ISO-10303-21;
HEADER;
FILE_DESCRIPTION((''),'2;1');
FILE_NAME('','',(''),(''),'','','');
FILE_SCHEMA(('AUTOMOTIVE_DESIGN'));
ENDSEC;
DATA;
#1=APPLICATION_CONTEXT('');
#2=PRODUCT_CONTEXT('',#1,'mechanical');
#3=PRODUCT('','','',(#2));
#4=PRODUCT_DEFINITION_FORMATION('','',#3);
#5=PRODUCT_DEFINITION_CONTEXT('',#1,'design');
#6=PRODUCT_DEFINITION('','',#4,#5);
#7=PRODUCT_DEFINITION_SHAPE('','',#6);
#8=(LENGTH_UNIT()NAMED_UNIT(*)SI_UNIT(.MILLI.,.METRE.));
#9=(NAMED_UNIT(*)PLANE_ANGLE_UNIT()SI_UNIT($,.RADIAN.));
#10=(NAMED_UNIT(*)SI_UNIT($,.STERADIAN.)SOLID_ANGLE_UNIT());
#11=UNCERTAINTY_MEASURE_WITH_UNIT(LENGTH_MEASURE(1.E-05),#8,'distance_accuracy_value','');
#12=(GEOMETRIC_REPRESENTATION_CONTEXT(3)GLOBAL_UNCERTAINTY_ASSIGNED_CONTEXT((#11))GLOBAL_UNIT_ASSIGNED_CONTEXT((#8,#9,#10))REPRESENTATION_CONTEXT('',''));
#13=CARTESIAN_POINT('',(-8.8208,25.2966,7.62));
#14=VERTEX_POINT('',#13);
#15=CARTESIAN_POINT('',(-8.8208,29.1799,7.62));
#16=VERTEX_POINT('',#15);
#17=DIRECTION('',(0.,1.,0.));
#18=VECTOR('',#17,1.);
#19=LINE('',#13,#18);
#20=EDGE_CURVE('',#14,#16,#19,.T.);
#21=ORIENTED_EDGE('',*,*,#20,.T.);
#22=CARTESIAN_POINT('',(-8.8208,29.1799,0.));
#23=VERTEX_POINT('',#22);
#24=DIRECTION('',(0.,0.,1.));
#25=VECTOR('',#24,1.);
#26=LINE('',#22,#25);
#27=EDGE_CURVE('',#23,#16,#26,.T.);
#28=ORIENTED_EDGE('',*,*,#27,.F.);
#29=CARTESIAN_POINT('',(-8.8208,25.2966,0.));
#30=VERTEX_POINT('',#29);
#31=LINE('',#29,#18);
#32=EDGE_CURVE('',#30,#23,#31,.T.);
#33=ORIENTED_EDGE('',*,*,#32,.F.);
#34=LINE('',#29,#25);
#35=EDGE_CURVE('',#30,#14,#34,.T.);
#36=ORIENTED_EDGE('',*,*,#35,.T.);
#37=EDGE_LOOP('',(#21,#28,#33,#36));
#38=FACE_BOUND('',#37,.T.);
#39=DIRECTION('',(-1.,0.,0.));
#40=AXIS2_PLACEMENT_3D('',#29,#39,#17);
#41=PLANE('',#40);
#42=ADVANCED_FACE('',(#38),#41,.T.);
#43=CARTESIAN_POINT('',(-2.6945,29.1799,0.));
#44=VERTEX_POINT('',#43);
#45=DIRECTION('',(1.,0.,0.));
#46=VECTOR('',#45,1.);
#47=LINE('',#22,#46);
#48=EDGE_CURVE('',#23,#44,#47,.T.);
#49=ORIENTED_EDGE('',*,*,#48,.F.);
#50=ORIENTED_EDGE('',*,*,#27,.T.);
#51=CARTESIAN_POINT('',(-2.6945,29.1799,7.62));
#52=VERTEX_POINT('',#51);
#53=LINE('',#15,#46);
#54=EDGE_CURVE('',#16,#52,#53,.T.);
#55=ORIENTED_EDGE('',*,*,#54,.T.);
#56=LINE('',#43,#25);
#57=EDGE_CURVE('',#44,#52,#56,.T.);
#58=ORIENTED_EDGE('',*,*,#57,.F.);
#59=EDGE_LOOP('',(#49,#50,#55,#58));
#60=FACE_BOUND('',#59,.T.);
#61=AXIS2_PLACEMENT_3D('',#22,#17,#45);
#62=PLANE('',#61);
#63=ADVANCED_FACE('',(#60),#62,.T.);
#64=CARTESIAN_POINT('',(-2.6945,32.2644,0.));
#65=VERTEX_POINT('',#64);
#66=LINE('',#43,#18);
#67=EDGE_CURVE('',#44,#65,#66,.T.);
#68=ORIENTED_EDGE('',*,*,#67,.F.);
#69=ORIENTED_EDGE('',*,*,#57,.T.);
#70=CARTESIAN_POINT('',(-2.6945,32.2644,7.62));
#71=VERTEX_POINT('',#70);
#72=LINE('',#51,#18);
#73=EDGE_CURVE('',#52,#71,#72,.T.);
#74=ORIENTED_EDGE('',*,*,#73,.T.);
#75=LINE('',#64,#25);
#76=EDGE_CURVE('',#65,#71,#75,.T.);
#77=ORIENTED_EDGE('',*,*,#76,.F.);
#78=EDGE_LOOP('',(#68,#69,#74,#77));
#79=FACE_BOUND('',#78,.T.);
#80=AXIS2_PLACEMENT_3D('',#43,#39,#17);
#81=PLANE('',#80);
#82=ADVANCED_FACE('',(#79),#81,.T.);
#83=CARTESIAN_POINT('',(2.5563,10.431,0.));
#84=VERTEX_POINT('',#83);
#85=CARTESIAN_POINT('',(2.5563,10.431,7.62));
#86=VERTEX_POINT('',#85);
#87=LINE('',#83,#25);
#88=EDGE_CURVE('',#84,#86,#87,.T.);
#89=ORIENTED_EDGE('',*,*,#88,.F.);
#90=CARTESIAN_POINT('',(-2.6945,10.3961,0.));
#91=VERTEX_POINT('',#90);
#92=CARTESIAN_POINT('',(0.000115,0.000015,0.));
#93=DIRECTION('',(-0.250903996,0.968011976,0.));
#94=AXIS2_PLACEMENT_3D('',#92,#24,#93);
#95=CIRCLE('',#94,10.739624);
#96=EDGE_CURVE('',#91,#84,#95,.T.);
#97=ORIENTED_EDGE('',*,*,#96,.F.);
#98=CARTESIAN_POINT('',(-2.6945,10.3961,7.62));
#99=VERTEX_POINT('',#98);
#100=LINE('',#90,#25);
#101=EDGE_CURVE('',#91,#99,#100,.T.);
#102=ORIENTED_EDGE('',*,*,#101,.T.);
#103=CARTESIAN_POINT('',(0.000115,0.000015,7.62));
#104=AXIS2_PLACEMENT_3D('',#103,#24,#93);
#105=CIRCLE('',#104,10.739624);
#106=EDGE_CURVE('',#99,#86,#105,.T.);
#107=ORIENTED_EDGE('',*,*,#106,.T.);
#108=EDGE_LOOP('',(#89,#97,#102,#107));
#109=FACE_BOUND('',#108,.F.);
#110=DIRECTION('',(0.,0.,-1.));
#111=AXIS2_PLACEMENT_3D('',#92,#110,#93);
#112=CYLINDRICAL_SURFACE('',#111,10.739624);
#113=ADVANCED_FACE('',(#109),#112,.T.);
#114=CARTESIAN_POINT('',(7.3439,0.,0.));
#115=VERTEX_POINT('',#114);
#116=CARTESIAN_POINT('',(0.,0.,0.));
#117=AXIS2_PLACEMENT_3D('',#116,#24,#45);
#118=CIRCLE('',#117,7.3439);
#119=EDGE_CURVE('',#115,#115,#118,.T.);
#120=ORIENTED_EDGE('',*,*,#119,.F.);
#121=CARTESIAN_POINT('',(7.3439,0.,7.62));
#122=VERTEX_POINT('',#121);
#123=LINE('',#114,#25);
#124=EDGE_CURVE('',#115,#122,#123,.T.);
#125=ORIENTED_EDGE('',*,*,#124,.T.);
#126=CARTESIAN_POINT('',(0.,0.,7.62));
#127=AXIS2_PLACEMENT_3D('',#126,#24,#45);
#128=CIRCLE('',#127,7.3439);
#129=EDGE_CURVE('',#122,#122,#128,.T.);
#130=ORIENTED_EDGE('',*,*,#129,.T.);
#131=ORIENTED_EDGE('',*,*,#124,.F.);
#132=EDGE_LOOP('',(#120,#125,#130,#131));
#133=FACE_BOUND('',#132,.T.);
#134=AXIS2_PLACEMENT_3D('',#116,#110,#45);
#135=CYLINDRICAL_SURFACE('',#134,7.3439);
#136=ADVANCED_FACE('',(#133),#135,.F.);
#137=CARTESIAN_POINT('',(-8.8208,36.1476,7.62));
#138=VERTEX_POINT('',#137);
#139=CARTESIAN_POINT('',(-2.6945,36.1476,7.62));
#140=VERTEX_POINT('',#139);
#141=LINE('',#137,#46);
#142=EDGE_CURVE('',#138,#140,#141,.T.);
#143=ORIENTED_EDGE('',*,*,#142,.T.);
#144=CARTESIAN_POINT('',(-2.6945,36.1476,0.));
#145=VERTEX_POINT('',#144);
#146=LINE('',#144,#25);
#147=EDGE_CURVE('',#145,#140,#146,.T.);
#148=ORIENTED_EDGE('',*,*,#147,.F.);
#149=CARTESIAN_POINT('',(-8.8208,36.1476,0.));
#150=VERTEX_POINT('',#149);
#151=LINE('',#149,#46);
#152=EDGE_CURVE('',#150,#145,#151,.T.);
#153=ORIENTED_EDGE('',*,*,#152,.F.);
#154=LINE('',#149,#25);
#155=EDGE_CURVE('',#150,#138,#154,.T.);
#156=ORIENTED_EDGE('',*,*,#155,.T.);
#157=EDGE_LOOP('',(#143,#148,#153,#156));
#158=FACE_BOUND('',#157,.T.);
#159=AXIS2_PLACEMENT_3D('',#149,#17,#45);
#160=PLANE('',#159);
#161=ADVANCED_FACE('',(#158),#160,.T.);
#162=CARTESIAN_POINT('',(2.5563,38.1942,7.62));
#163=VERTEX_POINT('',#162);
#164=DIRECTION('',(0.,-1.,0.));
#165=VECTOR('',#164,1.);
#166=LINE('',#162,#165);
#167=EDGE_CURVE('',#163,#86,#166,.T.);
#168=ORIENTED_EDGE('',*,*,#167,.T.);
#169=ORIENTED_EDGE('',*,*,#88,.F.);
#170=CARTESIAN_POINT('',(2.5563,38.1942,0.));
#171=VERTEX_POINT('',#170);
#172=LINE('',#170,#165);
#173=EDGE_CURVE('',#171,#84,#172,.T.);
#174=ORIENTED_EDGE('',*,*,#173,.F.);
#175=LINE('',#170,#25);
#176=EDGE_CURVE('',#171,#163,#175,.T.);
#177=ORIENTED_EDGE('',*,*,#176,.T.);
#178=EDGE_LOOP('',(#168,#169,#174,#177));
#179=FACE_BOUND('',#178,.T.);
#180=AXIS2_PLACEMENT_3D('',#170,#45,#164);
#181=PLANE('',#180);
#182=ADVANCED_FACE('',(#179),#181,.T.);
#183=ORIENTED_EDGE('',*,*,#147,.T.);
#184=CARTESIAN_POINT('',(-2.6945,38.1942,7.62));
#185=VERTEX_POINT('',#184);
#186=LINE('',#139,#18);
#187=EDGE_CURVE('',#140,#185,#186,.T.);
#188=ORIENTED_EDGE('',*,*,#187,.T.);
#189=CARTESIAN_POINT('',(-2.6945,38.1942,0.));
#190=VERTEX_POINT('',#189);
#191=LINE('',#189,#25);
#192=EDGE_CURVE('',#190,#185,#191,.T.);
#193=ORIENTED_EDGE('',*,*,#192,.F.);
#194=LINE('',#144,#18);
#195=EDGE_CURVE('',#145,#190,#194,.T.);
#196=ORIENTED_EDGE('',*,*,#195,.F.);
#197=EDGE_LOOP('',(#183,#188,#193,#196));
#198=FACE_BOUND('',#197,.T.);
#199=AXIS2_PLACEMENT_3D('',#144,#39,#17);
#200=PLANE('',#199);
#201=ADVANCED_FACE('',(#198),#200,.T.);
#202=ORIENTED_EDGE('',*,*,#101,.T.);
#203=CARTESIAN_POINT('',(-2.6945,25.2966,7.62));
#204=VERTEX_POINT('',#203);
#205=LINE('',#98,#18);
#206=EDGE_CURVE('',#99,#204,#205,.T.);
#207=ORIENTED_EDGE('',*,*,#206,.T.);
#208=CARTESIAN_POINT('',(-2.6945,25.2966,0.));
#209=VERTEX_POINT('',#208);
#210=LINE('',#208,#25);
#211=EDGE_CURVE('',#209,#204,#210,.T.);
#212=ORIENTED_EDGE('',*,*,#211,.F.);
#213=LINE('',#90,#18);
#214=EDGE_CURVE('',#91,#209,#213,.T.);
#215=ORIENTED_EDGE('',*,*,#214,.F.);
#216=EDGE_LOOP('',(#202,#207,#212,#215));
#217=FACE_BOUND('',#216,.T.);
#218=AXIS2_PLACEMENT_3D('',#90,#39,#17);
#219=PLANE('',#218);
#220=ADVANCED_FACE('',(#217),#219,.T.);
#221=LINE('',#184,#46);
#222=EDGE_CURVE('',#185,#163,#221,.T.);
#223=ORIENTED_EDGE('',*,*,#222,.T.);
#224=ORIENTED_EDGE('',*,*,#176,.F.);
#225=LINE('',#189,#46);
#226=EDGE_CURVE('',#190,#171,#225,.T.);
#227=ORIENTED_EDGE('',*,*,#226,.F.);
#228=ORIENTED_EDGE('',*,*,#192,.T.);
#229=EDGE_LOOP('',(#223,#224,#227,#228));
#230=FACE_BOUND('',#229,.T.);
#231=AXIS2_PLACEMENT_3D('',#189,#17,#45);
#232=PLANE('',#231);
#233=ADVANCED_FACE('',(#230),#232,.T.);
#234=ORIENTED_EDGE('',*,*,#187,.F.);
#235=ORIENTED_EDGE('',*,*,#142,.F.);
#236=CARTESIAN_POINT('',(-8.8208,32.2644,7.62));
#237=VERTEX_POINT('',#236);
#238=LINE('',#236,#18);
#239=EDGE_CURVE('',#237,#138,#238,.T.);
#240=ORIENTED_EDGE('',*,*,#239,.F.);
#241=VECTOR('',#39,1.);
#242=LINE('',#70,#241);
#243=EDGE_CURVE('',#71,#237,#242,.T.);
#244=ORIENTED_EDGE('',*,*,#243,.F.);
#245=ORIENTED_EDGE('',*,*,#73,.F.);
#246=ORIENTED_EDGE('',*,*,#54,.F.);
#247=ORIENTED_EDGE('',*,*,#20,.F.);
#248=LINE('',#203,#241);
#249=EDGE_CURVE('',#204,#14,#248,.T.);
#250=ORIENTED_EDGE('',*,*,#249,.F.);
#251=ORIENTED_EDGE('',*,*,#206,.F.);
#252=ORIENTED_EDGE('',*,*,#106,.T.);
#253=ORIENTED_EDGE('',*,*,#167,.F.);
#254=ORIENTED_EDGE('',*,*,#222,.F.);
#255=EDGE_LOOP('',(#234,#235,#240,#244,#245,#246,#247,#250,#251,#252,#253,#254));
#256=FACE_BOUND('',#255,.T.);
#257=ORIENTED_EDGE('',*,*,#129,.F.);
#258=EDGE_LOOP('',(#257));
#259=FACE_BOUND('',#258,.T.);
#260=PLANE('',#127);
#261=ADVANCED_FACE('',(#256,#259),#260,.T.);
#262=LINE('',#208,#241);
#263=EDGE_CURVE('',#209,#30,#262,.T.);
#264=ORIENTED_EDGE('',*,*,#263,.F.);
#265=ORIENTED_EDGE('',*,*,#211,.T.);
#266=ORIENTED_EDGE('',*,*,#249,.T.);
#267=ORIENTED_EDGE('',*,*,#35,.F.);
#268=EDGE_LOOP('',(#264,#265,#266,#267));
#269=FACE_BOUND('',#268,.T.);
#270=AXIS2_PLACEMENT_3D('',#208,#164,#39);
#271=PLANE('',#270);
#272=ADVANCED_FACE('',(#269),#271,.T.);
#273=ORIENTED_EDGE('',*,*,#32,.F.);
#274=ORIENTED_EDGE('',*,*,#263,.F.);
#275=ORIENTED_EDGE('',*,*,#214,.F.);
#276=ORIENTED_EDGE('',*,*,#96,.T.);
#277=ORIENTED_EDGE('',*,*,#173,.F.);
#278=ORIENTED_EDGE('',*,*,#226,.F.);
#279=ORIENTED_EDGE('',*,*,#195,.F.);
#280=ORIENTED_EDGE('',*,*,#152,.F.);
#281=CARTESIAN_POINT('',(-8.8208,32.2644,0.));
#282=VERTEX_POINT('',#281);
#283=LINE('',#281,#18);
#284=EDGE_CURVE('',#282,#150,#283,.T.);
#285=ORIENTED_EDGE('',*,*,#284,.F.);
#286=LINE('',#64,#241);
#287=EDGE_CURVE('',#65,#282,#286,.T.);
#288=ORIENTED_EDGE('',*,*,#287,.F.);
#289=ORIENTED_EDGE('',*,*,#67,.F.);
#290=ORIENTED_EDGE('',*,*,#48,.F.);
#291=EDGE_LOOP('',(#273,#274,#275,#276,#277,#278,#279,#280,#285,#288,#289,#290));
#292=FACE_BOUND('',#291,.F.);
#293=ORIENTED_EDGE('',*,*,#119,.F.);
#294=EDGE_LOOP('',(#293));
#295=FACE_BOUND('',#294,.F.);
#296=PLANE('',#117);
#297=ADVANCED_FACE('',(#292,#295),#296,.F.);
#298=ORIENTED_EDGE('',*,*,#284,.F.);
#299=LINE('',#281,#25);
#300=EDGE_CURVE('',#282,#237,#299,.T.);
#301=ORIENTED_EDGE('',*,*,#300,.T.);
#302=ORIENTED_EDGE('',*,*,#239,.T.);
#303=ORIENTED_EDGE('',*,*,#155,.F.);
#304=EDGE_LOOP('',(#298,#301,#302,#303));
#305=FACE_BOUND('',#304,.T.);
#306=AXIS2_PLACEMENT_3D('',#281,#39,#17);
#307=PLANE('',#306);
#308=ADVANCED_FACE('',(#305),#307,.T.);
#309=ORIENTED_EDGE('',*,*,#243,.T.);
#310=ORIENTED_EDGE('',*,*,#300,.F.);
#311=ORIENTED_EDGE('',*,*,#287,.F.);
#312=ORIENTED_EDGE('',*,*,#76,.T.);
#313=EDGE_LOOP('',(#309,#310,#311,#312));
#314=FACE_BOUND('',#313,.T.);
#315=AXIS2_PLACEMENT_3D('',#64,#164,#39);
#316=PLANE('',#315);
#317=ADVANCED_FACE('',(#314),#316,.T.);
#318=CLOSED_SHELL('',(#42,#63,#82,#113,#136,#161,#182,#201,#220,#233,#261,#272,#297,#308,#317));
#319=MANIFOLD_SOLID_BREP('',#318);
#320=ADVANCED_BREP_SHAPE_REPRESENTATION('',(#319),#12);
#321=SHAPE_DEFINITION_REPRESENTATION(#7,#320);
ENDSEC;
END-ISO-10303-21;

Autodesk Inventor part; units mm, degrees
ref_plane "YZ Plane" through (0, 0, 0) normal (1, 0, 0) x (0, 1, 0)
ref_plane "XZ Plane" through (0, 0, 0) normal (0, 1, 0) x (-1, 0, 0)
ref_plane "XY Plane" through (0, 0, 0) normal (0, 0, 1) x (1, 0, 0)
sketch "Sketch1" plane through (0, 0, 0) normal (0, 0, 1) x (1, 0, 0)
  arc A0 (-2.6945, 10.3961) -> (2.5563, 10.431) centre (0, 0) ccw
  circle A1 centre (0, 0) radius 7.3439
  line L0 (-2.6945, 38.1942) -> (2.5563, 38.1942)
  line L1 (-8.8208, 36.1476) -> (-2.6945, 36.1476)
  line L2 (-2.6945, 32.2644) -> (-8.8208, 32.2644)
  line L3 (-8.8208, 32.2644) -> (-8.8208, 36.1476)
  line L4 (-8.8208, 29.1799) -> (-2.6945, 29.1799)
  line L5 (-2.6945, 25.2966) -> (-8.8208, 25.2966)
  line L6 (-8.8208, 25.2966) -> (-8.8208, 29.1799)
  line L7 (-2.6945, 36.1476) -> (-2.6945, 38.1942)
  line L8 (-2.6945, 29.1799) -> (-2.6945, 32.2644)
  line L9 (-2.6945, 10.3961) -> (-2.6945, 25.2966)
  line L10 (2.5563, 38.1942) -> (2.5563, 10.431)
extrude "Extrusion1" add sketch "Sketch1" along normal blind 7.62
properties part number "Key"
